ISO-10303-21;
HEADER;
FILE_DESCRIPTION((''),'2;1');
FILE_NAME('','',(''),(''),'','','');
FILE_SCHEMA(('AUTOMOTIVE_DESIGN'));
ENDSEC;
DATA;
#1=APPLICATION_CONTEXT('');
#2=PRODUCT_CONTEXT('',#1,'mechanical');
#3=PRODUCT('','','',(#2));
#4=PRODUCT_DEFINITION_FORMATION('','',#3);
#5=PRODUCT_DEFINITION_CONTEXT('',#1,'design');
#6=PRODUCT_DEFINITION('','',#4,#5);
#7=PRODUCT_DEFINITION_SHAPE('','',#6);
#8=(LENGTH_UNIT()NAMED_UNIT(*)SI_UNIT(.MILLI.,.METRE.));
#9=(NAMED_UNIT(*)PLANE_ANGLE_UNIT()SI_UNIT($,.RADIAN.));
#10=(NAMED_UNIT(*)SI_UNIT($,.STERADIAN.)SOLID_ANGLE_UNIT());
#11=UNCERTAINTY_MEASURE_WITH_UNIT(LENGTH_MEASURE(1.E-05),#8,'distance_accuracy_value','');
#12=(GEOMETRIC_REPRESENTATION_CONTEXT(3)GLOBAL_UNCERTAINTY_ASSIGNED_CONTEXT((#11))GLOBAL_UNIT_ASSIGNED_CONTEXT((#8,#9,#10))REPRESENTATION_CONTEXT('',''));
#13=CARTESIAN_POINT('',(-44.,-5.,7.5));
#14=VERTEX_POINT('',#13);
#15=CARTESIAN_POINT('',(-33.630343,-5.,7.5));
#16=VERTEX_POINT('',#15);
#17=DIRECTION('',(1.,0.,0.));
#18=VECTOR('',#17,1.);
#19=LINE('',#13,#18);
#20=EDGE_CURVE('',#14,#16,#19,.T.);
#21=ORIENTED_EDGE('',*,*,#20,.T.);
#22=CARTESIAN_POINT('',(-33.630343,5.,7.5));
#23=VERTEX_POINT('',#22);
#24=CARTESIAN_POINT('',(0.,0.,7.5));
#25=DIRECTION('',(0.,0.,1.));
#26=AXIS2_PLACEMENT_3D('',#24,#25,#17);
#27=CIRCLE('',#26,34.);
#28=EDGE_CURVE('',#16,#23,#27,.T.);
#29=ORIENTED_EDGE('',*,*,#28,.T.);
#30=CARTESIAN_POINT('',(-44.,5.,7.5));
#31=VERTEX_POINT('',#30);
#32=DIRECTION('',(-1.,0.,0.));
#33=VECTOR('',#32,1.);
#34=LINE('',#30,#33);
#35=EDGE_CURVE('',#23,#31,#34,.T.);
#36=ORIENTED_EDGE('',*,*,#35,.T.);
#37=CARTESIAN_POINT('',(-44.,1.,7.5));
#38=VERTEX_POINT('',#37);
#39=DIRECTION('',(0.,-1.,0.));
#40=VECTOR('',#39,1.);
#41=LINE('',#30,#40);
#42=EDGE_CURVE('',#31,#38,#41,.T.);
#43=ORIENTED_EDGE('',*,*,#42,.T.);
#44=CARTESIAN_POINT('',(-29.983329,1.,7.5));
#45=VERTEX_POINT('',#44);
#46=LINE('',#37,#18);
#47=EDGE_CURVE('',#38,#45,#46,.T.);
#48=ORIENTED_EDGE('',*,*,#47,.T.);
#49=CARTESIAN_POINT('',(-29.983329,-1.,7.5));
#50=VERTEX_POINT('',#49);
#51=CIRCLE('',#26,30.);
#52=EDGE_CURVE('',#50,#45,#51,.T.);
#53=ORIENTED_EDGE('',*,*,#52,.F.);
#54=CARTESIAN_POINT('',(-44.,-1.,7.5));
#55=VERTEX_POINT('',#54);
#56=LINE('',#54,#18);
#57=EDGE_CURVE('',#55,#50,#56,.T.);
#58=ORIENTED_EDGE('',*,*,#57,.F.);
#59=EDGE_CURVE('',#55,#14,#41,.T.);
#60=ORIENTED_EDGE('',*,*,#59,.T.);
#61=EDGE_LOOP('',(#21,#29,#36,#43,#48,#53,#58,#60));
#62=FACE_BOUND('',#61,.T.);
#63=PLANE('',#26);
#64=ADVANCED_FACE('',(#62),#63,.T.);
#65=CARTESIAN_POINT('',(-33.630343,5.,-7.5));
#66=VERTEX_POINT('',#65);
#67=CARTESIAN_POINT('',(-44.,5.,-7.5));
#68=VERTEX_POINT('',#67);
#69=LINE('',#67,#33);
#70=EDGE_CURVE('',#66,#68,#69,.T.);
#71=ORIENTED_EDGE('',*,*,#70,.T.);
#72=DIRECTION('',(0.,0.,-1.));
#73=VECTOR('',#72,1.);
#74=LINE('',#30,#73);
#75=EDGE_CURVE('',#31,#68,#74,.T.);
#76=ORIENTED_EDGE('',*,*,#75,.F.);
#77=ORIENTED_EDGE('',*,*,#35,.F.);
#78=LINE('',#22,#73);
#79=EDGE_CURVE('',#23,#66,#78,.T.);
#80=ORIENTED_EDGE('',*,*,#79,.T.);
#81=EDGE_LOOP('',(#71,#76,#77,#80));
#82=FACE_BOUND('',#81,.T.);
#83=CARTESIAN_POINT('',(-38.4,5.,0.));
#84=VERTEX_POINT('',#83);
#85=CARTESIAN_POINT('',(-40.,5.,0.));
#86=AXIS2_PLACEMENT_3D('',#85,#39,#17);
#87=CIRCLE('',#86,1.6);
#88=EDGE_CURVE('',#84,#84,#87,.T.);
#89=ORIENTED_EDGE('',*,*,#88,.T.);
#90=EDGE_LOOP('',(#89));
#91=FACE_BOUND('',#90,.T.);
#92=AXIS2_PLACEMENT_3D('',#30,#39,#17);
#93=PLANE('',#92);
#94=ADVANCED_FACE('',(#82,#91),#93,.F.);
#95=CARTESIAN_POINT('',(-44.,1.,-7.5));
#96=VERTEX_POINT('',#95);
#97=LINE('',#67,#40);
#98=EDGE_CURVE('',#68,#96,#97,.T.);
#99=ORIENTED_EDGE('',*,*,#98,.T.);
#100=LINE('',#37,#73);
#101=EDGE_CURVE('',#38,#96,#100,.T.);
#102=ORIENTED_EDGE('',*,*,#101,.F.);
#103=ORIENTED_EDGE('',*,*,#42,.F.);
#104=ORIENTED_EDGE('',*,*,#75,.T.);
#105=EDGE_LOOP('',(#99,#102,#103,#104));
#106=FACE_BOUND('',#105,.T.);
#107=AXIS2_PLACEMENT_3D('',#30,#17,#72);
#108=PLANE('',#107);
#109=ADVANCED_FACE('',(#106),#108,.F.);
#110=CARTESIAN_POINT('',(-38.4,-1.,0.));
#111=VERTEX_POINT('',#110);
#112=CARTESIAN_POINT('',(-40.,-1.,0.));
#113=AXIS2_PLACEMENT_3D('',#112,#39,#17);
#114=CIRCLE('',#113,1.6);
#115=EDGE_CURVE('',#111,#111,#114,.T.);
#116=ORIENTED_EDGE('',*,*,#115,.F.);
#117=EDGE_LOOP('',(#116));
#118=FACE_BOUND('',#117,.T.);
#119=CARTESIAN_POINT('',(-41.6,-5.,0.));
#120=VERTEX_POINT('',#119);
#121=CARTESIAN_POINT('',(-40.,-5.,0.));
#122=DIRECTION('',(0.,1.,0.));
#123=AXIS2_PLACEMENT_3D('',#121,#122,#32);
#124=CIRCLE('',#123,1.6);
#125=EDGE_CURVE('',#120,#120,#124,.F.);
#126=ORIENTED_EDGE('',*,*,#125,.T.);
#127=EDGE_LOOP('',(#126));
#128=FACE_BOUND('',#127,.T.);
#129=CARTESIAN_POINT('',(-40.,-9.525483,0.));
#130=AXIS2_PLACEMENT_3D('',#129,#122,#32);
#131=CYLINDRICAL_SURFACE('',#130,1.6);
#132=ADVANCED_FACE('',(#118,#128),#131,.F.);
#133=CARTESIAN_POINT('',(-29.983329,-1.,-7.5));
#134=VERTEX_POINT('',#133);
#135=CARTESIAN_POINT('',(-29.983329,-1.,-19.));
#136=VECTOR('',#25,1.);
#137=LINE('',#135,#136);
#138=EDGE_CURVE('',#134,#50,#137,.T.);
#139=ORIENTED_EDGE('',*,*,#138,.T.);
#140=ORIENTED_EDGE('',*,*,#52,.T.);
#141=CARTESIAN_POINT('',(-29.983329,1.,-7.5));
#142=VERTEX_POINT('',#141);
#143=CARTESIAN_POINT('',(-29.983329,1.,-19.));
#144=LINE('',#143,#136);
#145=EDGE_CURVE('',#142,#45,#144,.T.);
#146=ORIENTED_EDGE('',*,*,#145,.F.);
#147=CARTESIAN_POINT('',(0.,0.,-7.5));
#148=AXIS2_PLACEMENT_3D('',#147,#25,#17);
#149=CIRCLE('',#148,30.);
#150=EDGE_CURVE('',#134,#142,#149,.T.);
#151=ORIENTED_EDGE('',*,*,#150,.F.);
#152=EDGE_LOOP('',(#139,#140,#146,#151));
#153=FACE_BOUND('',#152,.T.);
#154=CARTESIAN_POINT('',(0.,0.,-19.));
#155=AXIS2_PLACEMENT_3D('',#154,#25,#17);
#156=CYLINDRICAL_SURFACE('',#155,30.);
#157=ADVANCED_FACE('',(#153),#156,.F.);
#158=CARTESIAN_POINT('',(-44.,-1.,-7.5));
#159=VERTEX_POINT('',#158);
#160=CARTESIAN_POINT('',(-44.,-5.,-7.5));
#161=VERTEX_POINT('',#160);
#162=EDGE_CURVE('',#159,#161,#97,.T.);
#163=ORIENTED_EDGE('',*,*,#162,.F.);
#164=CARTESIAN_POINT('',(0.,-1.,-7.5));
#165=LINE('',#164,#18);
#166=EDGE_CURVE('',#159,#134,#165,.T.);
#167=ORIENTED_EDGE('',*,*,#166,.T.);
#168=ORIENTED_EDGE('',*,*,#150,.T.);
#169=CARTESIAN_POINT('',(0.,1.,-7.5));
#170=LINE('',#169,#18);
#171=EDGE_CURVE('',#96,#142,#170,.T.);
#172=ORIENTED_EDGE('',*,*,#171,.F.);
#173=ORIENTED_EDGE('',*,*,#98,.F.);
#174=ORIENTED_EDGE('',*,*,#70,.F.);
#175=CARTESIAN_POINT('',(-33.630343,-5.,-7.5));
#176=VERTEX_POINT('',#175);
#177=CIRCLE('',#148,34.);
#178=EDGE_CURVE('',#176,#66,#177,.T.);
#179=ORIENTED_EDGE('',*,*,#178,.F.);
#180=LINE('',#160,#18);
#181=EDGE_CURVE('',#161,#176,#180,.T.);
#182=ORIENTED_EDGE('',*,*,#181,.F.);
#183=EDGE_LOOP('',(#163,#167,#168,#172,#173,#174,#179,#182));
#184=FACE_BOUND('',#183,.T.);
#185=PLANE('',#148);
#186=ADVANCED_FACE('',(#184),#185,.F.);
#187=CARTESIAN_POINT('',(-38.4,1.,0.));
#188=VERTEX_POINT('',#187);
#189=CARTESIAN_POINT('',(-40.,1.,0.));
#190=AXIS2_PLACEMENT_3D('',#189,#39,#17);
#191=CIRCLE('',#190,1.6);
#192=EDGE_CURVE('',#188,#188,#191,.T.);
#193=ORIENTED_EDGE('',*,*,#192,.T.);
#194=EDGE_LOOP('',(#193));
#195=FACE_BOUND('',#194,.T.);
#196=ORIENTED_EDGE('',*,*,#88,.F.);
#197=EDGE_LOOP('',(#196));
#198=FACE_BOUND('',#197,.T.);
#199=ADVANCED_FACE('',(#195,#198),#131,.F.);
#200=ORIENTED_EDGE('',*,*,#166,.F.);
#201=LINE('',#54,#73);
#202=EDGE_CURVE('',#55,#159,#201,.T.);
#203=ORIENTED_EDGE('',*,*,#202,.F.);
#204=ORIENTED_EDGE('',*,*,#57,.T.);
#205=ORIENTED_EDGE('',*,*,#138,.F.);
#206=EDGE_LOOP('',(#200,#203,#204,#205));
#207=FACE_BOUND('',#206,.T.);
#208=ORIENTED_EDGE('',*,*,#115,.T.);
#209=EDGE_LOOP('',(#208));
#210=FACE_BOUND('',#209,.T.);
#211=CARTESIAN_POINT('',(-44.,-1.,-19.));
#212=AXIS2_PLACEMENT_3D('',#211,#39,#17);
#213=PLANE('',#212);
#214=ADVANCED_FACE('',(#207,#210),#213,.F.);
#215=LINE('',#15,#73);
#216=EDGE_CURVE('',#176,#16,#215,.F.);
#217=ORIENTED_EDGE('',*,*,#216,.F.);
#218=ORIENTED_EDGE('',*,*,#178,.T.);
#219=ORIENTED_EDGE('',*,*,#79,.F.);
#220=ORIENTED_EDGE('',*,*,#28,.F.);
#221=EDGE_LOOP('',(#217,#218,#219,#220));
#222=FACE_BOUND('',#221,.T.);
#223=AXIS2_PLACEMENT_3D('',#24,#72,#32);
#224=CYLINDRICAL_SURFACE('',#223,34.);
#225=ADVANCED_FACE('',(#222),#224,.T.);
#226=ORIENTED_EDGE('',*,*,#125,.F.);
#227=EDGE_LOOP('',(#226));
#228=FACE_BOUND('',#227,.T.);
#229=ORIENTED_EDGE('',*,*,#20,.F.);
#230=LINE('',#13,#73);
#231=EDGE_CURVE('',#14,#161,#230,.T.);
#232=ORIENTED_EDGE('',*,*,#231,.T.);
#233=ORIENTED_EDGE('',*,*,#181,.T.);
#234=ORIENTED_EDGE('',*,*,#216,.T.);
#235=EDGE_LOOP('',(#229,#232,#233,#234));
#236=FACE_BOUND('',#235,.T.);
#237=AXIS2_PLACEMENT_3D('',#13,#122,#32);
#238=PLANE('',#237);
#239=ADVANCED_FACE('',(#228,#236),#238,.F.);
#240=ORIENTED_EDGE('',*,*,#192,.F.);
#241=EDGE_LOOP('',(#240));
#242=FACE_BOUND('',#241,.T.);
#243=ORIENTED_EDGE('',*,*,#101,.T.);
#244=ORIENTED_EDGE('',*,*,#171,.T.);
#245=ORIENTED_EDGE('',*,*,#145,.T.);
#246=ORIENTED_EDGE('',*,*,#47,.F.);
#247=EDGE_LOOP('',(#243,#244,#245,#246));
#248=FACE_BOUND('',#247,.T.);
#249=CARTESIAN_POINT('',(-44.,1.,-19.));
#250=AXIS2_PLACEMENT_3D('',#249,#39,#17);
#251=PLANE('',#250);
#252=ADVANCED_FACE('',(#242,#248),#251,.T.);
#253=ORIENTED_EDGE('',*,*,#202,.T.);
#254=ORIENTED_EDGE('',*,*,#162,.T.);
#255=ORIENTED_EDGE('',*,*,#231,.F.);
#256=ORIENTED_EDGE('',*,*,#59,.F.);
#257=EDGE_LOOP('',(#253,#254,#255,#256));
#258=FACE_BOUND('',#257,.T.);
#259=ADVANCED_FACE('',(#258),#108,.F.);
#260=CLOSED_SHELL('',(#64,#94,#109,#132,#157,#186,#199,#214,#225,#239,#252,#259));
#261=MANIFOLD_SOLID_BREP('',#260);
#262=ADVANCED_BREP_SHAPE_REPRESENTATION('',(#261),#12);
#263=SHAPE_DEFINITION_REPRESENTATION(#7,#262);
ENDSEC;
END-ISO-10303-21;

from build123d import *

# Parameters (mm, degrees)
SKETCH1_R               = 34
BOSS_EXTRUDE1_DEPTH     = 7.5
SKETCH4_W               = 44
SKETCH4_H               = 10
BOSS_EXTRUDE2_DEPTH     = 7.5
SKETCH5_R               = 30
SKETCH5_W               = 44
SKETCH5_H               = 2
CUT_EXTRUDE1_DEPTH      = 26.5
SKETCH6_R               = 1.6
CUT_EXTRUDE2_DEPTH      = 30
CUT_EXTRUDE2_DEPTH_BACK = 10


with BuildPart() as part:
    # Sketch1 → Boss-Extrude1 (new body, symmetric)
    with BuildSketch(Plane.XY):
        Circle(SKETCH1_R)
    extrude(amount=BOSS_EXTRUDE1_DEPTH, both=True)

    # Sketch4 → Boss-Extrude2 (add, symmetric)
    with BuildSketch(Plane.XY):
        with Locations((-22, 0)):
            Rectangle(SKETCH4_W, SKETCH4_H)
    extrude(amount=BOSS_EXTRUDE2_DEPTH, both=True)

    # Sketch5 → Cut-Extrude1 (cut)
    with BuildSketch(Plane.XY.offset(7.5)):
        Circle(SKETCH5_R)
        with Locations((-22, 0)):
            Rectangle(SKETCH5_W, SKETCH5_H)
    extrude(amount=-CUT_EXTRUDE1_DEPTH, mode=Mode.SUBTRACT)

    # Sketch6 → Cut-Extrude2 (cut, two sides)
    with BuildSketch(Plane(origin=(0, 5, 0), x_dir=(1, 0, 0), z_dir=(0, 1, 0))) as cut_extrude2_sk:
        with Locations((-40, 0)):
            Circle(SKETCH6_R)
    extrude(amount=CUT_EXTRUDE2_DEPTH, mode=Mode.SUBTRACT)
    extrude(cut_extrude2_sk.sketch, amount=-CUT_EXTRUDE2_DEPTH_BACK, mode=Mode.SUBTRACT)


solid = part.part
